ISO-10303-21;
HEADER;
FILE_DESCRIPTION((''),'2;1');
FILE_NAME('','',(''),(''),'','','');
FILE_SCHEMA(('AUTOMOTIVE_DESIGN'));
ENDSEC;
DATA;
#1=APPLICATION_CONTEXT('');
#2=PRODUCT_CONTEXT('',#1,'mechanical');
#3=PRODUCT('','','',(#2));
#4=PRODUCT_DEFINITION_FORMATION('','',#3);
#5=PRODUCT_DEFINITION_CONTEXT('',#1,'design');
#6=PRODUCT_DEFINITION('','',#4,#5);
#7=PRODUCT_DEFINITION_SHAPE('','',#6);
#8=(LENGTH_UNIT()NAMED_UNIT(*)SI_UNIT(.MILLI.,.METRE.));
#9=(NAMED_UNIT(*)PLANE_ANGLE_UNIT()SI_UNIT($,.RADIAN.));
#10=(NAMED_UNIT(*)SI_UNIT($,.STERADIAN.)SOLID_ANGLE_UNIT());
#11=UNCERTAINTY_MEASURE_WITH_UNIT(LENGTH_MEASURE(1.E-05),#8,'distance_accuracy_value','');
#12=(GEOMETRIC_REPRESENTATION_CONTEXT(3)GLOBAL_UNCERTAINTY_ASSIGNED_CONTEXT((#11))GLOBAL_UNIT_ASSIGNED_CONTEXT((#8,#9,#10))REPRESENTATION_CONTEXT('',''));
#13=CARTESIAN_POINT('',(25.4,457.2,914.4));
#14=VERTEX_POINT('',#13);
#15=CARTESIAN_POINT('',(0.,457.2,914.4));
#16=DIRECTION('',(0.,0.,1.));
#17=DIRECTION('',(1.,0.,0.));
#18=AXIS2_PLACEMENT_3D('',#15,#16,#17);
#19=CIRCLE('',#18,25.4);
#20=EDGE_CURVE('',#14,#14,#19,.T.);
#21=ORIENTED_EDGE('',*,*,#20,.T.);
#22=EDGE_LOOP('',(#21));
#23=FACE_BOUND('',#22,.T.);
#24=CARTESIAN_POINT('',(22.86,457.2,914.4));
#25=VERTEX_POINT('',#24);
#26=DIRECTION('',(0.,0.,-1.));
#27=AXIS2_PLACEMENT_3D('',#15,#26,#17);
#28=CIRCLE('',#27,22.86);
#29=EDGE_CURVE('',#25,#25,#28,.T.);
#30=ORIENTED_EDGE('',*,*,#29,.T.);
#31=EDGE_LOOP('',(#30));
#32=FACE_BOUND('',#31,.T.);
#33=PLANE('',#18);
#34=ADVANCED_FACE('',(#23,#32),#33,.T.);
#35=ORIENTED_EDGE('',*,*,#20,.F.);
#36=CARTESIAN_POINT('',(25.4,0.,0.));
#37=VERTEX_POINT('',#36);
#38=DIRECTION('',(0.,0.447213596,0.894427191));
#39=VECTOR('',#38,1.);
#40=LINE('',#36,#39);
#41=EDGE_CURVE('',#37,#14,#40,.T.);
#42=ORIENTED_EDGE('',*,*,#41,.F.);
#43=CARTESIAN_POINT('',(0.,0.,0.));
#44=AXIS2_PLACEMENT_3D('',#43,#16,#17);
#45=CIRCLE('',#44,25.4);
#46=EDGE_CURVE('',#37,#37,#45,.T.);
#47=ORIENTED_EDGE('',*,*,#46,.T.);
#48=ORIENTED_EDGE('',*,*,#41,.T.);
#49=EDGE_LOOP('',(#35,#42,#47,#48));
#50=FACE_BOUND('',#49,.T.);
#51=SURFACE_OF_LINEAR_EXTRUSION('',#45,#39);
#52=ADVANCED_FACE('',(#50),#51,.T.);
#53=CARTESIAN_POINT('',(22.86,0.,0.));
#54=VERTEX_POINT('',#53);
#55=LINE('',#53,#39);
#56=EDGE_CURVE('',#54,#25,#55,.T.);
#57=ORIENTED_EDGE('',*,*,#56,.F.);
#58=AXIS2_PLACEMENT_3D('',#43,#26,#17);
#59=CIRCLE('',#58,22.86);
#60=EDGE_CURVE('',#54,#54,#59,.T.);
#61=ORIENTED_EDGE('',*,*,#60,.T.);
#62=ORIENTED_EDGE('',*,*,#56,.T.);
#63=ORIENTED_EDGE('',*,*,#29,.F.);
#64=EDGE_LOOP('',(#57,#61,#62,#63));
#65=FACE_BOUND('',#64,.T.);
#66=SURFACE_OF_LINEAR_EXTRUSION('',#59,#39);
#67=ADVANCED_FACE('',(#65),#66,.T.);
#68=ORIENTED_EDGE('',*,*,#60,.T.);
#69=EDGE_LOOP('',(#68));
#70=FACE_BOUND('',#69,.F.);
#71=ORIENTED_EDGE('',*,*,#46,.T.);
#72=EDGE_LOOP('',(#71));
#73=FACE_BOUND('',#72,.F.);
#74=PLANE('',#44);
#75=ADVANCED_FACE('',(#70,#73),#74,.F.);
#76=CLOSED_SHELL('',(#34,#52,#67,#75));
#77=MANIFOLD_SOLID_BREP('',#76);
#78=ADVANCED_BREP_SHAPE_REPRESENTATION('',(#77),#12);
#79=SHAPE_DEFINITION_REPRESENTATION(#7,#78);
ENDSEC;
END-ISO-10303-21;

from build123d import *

# Parameters (mm, degrees)
F0_R   = 25.4
F0_R_2 = 22.86


with BuildPart() as f2:
    # F2: sweep along a path in F1
    with BuildLine(Plane.YZ) as f2_path:
        Line((0, 0), (457.2, 914.4))
    # F0 (on Top) → F2 (sweep)
    with BuildSketch(Plane.XY):
        Circle(F0_R)
        Circle(F0_R_2, mode=Mode.SUBTRACT)
    sweep(path=f2_path.line)


solid = f2.part
